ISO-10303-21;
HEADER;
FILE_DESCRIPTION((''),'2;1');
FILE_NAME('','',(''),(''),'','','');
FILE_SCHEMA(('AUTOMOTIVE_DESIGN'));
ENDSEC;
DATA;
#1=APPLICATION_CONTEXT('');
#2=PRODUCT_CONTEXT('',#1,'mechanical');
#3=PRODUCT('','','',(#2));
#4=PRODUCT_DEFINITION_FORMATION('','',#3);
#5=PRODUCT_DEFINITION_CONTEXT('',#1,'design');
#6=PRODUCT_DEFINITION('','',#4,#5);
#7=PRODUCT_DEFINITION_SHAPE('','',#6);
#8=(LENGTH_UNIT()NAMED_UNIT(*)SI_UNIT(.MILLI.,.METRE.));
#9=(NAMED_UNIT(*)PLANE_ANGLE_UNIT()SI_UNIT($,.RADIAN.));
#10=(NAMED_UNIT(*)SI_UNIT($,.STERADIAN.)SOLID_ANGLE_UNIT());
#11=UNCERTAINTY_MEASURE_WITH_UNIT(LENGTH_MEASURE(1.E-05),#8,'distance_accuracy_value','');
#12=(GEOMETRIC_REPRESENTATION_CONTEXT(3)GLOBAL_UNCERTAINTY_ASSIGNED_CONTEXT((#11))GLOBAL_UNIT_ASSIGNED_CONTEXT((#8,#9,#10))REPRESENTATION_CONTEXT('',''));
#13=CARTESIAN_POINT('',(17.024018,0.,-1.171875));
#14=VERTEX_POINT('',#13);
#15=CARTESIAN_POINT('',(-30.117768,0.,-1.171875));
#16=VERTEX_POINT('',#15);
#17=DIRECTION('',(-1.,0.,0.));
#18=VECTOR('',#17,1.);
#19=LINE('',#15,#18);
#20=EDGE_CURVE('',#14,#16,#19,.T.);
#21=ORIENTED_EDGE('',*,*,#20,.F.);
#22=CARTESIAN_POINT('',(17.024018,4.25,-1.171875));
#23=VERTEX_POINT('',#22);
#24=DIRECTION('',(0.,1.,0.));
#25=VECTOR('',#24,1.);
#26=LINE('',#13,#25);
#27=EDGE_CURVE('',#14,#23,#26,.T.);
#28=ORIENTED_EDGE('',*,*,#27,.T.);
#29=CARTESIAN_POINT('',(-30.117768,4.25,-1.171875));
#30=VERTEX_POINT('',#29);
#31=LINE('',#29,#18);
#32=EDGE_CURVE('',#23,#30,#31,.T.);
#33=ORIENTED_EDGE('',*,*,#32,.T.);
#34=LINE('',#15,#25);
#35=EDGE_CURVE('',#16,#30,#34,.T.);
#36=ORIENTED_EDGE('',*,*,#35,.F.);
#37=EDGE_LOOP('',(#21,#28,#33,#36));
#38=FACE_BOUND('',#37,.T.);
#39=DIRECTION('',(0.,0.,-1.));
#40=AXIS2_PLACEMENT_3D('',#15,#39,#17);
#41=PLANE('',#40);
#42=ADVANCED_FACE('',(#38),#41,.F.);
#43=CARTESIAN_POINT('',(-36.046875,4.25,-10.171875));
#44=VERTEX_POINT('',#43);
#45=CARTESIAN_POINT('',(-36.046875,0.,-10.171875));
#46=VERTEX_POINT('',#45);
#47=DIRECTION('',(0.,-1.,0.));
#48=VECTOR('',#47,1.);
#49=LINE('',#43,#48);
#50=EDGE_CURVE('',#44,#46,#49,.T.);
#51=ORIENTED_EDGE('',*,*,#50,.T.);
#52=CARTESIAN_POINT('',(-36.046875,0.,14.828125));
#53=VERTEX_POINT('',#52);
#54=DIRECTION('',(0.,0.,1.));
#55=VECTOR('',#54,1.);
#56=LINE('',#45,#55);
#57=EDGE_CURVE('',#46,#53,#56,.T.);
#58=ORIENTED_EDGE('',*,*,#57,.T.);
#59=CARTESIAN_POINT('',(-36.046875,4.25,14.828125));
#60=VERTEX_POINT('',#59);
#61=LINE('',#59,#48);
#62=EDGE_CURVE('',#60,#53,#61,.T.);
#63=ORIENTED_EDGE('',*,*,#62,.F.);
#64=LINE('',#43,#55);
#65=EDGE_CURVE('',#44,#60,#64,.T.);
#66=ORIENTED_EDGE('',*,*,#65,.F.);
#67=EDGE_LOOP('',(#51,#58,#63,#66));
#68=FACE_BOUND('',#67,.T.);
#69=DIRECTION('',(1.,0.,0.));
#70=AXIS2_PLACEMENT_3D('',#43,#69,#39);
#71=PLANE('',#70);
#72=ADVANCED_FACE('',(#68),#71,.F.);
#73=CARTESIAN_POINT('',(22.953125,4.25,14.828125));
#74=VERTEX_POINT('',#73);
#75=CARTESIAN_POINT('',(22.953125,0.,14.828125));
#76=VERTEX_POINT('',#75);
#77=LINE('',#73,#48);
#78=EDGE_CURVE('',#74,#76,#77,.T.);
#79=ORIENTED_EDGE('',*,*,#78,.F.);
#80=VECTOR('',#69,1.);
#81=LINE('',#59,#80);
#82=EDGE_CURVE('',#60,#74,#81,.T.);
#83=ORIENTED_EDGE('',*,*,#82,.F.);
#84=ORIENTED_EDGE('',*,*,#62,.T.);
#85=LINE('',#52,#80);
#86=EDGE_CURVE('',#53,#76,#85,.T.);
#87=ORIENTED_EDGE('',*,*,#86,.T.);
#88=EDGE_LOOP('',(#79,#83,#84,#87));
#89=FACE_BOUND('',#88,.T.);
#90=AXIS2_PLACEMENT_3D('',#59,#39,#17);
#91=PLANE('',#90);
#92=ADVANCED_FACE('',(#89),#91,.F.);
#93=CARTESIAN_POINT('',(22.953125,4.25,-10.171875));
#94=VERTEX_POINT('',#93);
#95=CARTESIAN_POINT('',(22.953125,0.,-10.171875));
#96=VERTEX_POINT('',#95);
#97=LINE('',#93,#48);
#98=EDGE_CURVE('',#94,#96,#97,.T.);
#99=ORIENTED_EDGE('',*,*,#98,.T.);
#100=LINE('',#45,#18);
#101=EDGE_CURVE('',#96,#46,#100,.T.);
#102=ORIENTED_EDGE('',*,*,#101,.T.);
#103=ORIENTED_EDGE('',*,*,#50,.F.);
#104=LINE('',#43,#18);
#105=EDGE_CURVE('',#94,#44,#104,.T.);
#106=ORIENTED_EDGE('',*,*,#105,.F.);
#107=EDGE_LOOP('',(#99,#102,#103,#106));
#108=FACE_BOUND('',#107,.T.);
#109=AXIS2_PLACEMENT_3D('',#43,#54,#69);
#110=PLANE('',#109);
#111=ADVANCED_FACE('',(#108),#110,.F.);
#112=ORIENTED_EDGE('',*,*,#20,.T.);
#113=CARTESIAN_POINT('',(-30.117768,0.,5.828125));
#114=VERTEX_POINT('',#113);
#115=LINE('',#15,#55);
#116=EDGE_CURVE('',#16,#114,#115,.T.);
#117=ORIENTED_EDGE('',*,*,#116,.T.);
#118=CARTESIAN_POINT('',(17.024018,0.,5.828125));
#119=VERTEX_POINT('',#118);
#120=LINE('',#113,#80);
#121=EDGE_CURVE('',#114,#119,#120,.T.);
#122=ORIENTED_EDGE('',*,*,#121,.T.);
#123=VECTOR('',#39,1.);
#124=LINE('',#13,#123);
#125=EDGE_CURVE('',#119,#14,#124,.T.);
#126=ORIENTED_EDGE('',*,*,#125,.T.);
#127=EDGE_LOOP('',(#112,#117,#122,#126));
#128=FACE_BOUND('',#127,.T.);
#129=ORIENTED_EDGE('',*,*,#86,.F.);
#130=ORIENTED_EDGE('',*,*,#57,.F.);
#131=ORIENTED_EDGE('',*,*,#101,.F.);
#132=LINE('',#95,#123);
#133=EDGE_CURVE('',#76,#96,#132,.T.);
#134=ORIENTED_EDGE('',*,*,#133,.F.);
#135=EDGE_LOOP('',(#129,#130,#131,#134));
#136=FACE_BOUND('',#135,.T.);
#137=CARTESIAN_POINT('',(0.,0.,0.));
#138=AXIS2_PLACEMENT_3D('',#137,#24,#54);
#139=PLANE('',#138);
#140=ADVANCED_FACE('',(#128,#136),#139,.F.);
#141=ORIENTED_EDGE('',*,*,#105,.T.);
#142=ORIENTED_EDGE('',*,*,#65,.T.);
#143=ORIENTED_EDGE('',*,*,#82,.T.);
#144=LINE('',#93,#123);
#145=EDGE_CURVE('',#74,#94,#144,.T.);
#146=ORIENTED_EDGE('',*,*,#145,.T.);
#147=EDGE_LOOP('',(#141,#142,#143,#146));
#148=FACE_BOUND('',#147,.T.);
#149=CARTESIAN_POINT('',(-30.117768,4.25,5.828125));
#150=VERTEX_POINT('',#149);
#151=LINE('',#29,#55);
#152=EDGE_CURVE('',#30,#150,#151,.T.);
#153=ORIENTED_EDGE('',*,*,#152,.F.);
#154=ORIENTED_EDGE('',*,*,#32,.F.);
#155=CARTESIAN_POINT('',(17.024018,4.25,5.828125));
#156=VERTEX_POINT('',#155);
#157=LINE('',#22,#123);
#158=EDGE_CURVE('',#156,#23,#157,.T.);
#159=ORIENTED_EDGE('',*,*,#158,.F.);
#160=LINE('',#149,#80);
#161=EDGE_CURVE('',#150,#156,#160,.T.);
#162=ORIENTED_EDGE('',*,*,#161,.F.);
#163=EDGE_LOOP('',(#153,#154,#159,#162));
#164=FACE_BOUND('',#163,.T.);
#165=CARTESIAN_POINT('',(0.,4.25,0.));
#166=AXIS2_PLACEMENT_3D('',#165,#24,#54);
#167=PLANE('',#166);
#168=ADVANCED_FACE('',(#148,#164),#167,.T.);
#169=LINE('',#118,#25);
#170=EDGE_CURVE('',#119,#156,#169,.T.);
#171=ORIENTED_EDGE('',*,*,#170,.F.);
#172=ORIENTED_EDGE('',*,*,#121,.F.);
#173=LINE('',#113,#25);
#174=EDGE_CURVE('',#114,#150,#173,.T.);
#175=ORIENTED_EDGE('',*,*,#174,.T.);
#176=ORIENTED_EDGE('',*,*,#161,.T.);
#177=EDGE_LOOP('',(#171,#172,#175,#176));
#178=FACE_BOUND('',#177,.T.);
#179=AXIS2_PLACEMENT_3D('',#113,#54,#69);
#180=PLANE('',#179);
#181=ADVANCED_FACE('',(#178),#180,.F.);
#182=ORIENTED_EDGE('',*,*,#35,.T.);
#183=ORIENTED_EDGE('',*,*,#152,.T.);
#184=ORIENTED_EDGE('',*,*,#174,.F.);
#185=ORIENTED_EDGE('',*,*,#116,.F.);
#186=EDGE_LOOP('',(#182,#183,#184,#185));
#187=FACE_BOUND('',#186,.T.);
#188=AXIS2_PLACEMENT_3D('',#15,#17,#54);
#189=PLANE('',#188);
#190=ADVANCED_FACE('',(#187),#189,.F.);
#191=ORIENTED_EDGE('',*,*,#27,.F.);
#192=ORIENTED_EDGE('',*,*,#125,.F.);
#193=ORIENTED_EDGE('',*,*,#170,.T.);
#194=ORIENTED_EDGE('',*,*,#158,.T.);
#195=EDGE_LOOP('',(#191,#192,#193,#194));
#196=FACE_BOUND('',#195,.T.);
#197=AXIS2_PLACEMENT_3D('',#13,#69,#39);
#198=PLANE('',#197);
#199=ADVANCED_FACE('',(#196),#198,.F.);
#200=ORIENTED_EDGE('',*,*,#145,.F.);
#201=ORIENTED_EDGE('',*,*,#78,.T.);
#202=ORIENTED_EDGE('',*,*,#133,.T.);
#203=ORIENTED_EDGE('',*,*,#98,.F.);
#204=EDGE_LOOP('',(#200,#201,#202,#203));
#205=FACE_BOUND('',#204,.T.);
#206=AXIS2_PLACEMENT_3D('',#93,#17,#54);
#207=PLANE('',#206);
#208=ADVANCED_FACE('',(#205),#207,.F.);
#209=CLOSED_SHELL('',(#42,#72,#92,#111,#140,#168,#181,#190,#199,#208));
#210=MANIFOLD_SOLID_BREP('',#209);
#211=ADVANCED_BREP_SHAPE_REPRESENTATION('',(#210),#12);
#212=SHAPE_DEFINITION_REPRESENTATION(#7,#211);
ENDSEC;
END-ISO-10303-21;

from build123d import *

# Parameters (mm, degrees)
SKETCH2_W           = 59
SKETCH2_H           = 25
BOSS_EXTRUDE1_DEPTH = 4.25
SKETCH3_W           = 47.141785844
SKETCH3_H           = 7
CUT_EXTRUDE1_DEPTH  = 5.25


with BuildPart() as part:
    # Sketch2 → Boss-Extrude1 (new body)
    with BuildSketch(Plane(origin=(0, 0, 0), x_dir=(1, 0, 0), z_dir=(0, 1, 0))):
        with Locations((-6.546875, -2.328125)):
            Rectangle(SKETCH2_W, SKETCH2_H)
    extrude(amount=BOSS_EXTRUDE1_DEPTH)

    # Sketch3 → Cut-Extrude1 (cut, through all)
    with BuildSketch(Plane(origin=(0, 4.25, 0), x_dir=(1, 0, 0), z_dir=(0, 1, 0))):
        with Locations((-6.546875, -2.328125)):
            Rectangle(SKETCH3_W, SKETCH3_H)
    extrude(amount=-CUT_EXTRUDE1_DEPTH, mode=Mode.SUBTRACT)


solid = part.part
